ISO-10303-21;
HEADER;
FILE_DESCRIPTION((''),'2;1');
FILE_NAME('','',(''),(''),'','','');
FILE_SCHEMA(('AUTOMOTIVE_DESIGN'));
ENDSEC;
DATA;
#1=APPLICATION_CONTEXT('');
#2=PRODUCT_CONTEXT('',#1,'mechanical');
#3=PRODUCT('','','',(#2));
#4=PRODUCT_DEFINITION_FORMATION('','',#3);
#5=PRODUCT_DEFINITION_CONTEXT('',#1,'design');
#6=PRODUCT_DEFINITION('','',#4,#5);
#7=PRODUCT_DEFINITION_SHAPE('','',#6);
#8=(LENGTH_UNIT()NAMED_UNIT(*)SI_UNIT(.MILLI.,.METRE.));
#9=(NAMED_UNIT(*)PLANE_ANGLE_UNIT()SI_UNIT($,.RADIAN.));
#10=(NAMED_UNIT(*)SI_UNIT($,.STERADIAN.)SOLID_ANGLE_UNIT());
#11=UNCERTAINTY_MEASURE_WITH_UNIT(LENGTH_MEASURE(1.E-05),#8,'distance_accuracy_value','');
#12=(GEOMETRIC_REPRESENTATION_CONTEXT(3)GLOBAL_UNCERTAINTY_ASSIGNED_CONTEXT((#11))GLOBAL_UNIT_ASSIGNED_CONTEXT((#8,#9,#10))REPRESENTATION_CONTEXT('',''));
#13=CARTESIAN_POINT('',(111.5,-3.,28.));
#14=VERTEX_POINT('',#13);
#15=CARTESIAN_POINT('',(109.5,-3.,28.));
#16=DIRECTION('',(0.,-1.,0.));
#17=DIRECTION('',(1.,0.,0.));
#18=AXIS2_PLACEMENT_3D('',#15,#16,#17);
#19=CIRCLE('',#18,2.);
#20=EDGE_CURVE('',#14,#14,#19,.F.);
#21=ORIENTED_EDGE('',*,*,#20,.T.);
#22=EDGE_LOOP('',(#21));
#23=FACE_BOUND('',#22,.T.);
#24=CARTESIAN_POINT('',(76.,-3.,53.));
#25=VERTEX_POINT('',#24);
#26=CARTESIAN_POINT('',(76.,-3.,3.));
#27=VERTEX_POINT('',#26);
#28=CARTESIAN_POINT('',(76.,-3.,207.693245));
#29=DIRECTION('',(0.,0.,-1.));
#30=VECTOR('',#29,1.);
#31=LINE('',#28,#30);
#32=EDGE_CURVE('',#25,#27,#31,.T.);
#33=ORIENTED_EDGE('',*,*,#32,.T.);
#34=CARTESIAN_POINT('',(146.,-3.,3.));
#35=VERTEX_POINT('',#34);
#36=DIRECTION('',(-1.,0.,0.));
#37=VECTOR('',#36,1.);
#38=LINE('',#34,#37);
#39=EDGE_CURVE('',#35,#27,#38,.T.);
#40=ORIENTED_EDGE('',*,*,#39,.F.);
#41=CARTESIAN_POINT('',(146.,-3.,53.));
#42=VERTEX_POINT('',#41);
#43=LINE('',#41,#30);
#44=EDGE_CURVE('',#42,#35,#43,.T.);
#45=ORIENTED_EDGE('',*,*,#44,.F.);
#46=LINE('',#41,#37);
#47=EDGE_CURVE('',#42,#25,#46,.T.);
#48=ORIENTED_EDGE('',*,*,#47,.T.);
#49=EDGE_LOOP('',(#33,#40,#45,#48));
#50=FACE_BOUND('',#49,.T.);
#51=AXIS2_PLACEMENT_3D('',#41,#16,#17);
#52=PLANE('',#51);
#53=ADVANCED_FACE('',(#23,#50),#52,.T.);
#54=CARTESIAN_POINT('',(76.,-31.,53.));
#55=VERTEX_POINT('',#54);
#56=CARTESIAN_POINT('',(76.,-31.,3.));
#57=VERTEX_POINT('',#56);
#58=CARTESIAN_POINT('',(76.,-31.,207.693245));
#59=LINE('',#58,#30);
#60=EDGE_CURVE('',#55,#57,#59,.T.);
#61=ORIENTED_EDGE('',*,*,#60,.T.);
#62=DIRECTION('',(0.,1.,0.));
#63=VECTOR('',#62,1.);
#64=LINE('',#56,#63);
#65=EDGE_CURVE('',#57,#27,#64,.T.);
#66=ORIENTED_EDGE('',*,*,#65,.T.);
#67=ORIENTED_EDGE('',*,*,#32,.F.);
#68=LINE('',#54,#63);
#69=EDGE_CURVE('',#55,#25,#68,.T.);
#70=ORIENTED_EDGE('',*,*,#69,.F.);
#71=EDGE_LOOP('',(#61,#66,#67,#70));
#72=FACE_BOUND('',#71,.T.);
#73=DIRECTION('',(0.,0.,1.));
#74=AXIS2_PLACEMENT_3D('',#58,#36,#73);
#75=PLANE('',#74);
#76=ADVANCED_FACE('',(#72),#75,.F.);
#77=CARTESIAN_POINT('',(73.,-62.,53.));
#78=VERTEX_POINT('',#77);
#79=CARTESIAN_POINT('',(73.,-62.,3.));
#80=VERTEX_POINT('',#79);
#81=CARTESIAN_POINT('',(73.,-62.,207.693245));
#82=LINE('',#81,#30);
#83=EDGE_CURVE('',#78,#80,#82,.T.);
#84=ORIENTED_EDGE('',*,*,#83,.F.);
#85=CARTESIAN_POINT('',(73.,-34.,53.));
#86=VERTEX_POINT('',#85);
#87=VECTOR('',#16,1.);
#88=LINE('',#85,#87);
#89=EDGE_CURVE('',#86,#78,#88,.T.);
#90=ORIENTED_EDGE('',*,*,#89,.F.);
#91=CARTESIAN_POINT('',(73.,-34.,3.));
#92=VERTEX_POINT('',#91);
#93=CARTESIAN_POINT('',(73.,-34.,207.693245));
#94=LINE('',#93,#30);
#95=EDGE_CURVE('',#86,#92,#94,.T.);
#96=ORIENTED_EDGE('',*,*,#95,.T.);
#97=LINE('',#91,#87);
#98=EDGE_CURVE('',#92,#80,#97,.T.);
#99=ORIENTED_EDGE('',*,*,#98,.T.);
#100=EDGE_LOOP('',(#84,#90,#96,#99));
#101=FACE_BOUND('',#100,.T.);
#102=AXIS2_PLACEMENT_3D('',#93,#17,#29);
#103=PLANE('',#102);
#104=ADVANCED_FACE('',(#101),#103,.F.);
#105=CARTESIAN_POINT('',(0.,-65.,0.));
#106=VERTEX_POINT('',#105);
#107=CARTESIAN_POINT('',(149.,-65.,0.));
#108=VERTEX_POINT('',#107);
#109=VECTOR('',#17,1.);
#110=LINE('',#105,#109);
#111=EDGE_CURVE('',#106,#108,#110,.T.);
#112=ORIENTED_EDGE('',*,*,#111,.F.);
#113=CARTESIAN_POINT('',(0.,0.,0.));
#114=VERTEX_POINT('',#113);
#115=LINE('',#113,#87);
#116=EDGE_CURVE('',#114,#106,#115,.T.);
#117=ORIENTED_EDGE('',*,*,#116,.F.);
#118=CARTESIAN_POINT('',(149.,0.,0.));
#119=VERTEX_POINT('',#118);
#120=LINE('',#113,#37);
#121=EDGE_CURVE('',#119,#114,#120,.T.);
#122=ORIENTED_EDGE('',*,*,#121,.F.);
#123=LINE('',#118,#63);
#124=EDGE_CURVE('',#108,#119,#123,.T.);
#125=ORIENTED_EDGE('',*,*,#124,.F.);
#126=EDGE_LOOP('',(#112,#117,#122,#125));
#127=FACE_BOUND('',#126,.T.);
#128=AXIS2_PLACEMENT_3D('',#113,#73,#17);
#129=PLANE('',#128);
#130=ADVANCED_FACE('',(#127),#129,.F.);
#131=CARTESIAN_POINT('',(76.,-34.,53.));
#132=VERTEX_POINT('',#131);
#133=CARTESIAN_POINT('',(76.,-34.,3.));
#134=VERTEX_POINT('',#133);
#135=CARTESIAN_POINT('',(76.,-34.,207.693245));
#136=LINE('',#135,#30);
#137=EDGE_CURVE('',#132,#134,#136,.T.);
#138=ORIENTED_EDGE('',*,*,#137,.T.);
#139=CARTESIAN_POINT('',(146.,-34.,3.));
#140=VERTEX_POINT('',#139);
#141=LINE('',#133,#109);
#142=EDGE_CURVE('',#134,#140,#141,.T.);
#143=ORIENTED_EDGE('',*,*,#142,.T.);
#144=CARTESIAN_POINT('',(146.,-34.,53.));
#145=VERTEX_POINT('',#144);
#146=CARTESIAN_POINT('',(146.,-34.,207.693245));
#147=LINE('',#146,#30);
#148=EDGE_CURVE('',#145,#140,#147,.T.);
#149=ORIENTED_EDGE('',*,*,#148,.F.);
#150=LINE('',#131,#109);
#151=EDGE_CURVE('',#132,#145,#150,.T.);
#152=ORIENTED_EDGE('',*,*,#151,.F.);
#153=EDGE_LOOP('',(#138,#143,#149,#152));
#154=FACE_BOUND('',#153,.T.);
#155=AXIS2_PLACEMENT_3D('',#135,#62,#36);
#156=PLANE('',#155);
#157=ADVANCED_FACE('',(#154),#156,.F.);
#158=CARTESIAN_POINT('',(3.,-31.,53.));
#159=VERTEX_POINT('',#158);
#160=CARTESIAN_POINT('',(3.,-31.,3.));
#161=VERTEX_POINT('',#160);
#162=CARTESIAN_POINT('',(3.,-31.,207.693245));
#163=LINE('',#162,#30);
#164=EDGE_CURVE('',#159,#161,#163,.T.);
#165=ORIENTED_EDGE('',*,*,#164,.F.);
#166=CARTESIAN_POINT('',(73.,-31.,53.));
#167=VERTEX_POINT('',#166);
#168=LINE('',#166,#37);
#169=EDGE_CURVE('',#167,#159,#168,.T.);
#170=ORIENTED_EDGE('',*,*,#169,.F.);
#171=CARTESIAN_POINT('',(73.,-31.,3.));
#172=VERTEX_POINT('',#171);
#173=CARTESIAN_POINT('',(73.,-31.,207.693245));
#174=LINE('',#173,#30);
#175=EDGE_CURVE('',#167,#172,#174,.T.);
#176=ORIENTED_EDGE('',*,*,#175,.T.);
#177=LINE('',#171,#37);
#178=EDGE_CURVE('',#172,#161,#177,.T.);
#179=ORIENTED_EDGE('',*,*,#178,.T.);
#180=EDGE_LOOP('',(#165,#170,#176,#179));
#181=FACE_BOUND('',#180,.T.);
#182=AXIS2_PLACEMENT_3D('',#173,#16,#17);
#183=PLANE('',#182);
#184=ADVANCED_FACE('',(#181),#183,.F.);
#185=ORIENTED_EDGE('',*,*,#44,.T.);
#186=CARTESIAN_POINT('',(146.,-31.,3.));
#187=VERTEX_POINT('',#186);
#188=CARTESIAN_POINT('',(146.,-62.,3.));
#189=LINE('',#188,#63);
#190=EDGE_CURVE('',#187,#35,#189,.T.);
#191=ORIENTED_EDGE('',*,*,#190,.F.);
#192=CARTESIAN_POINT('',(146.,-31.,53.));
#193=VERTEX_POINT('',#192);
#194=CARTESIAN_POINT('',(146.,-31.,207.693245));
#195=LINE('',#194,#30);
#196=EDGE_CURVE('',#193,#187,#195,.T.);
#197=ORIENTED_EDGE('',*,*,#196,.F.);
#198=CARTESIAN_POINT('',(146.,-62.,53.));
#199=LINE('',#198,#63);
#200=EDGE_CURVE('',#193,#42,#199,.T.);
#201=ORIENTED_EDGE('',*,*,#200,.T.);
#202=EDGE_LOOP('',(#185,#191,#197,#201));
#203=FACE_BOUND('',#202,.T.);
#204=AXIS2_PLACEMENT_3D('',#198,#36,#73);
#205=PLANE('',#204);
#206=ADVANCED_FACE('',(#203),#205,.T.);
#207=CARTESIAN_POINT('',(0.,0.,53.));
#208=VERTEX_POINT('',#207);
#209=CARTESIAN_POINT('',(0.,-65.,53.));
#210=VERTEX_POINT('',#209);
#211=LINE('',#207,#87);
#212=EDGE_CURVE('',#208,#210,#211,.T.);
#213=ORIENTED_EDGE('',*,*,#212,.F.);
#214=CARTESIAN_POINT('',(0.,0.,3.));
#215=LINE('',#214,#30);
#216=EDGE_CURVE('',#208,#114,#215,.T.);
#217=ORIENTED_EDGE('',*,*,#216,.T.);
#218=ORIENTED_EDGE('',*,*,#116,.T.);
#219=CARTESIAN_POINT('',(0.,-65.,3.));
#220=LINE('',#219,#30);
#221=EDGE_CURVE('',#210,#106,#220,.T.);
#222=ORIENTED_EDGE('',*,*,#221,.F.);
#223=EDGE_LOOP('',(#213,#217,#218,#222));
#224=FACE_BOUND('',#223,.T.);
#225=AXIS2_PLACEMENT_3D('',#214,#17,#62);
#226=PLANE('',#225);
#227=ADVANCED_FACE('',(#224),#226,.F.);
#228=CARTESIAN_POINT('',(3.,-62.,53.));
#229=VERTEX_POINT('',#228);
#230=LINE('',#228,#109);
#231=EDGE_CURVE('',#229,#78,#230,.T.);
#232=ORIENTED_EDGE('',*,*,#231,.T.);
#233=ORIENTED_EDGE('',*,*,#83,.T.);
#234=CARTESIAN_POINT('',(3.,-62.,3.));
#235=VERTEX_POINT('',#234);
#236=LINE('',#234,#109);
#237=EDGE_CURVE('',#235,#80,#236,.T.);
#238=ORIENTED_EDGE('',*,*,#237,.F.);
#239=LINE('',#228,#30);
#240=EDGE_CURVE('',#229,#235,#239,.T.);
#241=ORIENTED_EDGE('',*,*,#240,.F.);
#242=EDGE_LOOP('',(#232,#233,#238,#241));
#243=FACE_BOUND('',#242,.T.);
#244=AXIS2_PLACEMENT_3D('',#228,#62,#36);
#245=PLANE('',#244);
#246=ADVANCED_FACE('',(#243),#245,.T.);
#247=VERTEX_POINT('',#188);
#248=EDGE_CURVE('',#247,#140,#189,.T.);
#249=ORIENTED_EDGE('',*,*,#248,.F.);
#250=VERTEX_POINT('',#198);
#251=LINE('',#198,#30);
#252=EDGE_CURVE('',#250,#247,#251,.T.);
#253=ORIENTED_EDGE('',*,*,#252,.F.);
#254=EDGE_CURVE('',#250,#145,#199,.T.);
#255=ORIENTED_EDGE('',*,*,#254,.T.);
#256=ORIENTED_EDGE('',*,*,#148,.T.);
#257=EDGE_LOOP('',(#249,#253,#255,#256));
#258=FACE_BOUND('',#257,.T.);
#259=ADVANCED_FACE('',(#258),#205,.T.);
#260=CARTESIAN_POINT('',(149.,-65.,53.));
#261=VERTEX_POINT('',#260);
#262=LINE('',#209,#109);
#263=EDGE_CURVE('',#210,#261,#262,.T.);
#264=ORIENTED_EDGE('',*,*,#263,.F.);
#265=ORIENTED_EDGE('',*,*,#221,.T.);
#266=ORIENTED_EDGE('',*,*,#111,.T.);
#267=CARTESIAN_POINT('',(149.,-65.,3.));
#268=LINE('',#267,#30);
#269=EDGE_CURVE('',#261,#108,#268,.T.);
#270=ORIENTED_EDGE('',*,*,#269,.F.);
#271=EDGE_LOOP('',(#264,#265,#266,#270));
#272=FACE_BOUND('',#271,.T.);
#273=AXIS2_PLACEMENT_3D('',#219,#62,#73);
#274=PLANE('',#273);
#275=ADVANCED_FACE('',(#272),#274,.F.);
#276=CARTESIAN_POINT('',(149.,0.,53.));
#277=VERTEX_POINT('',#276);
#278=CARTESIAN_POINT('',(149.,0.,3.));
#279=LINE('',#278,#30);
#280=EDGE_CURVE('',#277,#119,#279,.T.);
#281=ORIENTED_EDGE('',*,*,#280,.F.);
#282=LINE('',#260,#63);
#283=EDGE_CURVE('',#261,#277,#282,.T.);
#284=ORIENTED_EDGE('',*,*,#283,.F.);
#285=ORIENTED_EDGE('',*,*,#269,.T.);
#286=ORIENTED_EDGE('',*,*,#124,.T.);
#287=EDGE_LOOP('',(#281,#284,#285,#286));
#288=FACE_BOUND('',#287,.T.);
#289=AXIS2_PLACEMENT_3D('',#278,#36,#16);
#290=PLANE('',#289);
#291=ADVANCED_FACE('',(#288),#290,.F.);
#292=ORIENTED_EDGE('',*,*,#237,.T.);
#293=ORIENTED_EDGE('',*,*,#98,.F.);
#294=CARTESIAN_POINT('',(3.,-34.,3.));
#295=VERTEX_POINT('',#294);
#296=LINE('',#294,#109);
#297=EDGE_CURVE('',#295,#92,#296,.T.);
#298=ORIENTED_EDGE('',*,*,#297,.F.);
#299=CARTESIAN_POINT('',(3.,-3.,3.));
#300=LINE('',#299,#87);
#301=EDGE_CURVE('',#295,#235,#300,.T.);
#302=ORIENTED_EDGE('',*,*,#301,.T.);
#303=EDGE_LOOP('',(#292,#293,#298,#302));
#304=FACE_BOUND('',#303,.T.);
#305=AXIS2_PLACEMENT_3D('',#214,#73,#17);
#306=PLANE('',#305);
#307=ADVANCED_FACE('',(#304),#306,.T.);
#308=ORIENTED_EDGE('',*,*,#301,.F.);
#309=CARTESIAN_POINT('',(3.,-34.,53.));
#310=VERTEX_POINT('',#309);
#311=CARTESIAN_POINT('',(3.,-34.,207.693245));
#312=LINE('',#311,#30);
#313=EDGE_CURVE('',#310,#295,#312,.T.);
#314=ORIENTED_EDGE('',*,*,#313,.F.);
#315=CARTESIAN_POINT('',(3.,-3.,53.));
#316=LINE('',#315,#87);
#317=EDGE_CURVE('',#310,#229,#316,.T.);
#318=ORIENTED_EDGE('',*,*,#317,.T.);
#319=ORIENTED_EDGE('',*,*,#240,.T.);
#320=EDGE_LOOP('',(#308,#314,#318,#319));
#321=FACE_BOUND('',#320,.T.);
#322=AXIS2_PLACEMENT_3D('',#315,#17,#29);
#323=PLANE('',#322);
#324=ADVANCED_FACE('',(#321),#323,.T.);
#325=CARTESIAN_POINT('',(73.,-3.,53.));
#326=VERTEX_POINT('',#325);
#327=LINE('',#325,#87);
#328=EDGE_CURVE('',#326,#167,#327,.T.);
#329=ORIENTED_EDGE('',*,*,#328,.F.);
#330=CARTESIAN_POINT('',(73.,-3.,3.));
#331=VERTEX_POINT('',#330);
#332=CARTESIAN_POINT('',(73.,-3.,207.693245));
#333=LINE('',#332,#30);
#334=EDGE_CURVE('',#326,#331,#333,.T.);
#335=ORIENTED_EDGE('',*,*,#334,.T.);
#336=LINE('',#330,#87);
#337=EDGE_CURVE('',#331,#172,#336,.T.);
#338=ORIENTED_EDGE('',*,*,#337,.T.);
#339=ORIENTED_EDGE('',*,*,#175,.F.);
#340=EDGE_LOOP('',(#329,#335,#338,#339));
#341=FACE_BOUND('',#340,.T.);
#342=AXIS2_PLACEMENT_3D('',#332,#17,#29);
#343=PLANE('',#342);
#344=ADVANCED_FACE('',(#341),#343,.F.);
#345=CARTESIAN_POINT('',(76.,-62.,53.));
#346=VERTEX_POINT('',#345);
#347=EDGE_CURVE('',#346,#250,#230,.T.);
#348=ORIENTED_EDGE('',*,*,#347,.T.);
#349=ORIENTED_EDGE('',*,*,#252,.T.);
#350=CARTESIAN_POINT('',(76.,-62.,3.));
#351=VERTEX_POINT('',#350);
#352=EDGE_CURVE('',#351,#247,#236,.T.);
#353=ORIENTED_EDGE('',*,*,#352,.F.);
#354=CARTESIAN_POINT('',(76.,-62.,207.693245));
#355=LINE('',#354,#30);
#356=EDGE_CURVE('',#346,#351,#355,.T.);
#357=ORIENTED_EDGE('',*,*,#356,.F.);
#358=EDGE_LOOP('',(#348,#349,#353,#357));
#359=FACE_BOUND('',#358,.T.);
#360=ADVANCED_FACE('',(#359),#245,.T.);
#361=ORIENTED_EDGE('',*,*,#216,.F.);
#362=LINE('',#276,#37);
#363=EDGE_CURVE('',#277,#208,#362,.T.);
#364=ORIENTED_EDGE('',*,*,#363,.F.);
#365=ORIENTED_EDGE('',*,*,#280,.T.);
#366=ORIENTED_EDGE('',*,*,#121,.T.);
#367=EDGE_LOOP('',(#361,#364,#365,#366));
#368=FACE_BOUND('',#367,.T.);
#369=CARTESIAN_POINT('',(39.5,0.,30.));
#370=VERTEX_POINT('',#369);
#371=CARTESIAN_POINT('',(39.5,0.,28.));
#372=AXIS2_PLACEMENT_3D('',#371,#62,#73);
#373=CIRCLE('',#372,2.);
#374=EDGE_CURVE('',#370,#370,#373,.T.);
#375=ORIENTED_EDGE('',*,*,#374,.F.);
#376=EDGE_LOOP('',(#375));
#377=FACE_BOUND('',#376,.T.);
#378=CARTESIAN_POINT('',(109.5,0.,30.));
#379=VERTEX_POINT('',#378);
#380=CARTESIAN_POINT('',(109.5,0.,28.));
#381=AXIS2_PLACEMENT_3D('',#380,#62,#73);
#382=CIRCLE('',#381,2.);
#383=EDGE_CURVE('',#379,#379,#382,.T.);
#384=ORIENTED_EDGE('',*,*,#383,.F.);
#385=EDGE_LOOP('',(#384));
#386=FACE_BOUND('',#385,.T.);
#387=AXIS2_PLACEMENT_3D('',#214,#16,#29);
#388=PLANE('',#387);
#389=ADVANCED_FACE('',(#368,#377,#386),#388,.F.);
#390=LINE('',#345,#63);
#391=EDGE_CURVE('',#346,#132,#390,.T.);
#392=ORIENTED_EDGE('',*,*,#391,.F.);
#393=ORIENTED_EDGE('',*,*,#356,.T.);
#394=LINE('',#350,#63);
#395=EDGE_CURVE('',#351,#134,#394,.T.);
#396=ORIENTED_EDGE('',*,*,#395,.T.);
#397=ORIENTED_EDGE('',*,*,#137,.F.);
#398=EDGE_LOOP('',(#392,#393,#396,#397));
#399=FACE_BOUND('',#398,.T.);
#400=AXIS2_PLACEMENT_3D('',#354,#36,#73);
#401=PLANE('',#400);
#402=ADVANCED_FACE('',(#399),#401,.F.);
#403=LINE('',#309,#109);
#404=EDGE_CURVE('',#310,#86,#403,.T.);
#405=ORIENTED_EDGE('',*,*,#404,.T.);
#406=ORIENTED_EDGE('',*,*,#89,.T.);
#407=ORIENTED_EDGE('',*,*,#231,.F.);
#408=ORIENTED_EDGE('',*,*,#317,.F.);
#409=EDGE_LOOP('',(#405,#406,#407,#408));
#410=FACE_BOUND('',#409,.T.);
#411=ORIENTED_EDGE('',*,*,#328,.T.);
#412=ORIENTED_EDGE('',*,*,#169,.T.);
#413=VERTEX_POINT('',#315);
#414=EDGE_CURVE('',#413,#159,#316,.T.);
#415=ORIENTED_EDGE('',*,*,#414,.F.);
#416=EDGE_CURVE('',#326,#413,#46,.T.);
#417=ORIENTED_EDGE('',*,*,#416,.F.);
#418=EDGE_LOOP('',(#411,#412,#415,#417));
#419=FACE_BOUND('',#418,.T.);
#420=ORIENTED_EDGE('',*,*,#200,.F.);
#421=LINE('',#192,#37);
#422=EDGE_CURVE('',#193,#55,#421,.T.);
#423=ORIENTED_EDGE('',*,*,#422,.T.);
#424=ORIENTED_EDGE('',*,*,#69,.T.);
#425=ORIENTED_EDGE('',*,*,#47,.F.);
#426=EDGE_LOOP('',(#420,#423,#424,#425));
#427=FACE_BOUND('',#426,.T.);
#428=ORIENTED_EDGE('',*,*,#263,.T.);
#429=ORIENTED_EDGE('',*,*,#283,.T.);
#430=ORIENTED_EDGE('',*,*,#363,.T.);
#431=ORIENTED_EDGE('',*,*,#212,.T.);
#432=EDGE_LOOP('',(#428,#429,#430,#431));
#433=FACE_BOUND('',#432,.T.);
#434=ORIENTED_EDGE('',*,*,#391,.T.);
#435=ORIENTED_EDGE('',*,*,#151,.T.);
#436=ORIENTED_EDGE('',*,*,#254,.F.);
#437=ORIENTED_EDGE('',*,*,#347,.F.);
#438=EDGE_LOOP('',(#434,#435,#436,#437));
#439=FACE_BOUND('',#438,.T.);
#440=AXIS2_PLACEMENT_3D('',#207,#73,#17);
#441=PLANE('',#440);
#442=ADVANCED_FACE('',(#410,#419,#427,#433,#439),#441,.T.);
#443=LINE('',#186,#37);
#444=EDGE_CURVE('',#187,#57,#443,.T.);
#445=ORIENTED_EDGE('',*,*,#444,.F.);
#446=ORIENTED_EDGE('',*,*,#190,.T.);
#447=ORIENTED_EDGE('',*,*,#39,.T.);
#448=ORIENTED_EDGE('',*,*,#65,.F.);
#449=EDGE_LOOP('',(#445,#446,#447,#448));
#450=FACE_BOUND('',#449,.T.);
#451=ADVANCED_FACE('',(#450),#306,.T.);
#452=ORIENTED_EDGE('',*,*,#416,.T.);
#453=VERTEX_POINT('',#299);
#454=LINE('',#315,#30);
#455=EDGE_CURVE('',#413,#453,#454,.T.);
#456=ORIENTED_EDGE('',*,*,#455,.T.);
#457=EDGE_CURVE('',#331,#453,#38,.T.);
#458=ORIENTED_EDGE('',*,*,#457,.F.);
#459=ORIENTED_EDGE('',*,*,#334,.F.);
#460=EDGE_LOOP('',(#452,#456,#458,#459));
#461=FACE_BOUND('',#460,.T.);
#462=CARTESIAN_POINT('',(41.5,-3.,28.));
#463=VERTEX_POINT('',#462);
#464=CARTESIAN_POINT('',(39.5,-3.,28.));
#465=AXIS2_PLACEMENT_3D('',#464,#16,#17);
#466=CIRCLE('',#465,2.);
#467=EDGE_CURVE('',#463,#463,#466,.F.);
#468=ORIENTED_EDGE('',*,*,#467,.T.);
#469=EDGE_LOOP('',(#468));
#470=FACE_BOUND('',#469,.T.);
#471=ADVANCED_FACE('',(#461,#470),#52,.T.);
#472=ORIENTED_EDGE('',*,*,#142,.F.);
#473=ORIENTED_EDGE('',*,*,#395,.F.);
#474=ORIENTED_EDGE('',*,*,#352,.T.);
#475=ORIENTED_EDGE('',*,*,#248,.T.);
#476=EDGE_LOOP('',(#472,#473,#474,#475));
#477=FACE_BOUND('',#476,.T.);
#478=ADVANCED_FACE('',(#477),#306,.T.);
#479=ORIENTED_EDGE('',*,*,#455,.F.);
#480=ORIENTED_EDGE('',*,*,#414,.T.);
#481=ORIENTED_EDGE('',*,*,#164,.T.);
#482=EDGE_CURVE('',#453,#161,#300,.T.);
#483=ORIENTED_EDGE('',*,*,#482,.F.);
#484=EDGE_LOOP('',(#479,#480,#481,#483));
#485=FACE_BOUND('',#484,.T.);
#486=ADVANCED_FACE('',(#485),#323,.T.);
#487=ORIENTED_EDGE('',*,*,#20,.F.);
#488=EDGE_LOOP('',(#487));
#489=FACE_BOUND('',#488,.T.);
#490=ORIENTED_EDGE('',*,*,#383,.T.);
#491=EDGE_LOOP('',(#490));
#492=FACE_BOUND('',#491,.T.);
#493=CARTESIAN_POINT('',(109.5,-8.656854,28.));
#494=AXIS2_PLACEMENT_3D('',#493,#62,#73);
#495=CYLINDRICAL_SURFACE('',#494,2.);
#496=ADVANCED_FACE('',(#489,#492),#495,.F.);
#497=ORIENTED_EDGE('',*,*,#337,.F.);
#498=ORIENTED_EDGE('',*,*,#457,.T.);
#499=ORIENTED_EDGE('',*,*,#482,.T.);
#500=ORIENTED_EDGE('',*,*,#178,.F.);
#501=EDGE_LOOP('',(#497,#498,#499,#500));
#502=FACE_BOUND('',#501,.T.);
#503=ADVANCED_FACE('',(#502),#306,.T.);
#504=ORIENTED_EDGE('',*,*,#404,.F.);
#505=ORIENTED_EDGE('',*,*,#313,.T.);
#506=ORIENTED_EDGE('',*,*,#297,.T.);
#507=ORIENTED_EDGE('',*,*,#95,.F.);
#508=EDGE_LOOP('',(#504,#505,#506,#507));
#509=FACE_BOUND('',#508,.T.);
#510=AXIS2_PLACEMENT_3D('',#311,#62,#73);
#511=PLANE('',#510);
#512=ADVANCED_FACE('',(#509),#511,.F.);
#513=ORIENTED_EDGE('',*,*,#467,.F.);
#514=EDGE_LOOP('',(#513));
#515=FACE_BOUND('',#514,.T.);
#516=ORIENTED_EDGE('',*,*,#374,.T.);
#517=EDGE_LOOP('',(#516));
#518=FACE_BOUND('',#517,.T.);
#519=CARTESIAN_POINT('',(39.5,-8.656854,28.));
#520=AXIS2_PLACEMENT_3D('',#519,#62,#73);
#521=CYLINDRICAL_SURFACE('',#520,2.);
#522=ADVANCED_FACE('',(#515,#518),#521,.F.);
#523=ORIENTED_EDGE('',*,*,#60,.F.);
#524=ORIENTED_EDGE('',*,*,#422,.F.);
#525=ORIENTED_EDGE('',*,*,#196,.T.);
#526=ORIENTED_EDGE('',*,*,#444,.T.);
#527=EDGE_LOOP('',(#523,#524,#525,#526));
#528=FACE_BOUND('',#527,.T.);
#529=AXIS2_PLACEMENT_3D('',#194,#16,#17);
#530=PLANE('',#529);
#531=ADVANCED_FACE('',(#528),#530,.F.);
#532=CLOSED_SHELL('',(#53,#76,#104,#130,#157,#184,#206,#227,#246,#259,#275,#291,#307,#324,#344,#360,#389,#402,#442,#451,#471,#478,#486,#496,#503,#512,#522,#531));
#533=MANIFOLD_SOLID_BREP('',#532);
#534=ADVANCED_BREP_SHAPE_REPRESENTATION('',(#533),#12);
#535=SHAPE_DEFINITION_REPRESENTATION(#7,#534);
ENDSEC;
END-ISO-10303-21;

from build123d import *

# Parameters (mm, degrees)
SKETCH1_W           = 149
SKETCH1_H           = 65
BOSS_EXTRUDE1_DEPTH = 3
SKETCH2_W           = 149
SKETCH2_H           = 65
SKETCH2_W_2         = 143
SKETCH2_H_2         = 59
BOSS_EXTRUDE2_DEPTH = 50
BOSS_EXTRUDE3_DEPTH = 50
SKETCH5_R           = 2
CUT_EXTRUDE1_DEPTH  = 3


with BuildPart() as part:
    # Sketch1 → Boss-Extrude1 (new body)
    with BuildSketch(Plane.XY):
        with Locations((74.5, -32.5)):
            Rectangle(SKETCH1_W, SKETCH1_H)
    extrude(amount=BOSS_EXTRUDE1_DEPTH)

    # Sketch2 → Boss-Extrude2 (add)
    with BuildSketch(Plane.XY.offset(3)):
        with Locations((74.5, -32.5)):
            Rectangle(SKETCH2_W, SKETCH2_H)
        with Locations((74.5, -32.5)):
            Rectangle(SKETCH2_W_2, SKETCH2_H_2, mode=Mode.SUBTRACT)
    extrude(amount=BOSS_EXTRUDE2_DEPTH)

    # Sketch4 → Boss-Extrude3 (add)
    with BuildSketch(Plane.XY.offset(3)):
        Polygon((73, -3), (73, -31), (3, -31), (3, -34), (73, -34), (73, -62), (76, -62), (76, -34), (146, -34), (146, -31), (76, -31), (76, -3), align=None)
    extrude(amount=BOSS_EXTRUDE3_DEPTH)

    # Sketch5 → Cut-Extrude1 (cut)
    with BuildSketch(Plane(origin=(0, 0, 0), x_dir=(1, 0, 0), z_dir=(0, 1, 0))):
        with Locations(Location((39.5, -28, 0), (0, 0, 270))):
            Circle(SKETCH5_R)
        with Locations(Location((109.5, -28, 0), (0, 0, 270))):
            Circle(SKETCH5_R)
    extrude(amount=-CUT_EXTRUDE1_DEPTH, mode=Mode.SUBTRACT)


solid = part.part
